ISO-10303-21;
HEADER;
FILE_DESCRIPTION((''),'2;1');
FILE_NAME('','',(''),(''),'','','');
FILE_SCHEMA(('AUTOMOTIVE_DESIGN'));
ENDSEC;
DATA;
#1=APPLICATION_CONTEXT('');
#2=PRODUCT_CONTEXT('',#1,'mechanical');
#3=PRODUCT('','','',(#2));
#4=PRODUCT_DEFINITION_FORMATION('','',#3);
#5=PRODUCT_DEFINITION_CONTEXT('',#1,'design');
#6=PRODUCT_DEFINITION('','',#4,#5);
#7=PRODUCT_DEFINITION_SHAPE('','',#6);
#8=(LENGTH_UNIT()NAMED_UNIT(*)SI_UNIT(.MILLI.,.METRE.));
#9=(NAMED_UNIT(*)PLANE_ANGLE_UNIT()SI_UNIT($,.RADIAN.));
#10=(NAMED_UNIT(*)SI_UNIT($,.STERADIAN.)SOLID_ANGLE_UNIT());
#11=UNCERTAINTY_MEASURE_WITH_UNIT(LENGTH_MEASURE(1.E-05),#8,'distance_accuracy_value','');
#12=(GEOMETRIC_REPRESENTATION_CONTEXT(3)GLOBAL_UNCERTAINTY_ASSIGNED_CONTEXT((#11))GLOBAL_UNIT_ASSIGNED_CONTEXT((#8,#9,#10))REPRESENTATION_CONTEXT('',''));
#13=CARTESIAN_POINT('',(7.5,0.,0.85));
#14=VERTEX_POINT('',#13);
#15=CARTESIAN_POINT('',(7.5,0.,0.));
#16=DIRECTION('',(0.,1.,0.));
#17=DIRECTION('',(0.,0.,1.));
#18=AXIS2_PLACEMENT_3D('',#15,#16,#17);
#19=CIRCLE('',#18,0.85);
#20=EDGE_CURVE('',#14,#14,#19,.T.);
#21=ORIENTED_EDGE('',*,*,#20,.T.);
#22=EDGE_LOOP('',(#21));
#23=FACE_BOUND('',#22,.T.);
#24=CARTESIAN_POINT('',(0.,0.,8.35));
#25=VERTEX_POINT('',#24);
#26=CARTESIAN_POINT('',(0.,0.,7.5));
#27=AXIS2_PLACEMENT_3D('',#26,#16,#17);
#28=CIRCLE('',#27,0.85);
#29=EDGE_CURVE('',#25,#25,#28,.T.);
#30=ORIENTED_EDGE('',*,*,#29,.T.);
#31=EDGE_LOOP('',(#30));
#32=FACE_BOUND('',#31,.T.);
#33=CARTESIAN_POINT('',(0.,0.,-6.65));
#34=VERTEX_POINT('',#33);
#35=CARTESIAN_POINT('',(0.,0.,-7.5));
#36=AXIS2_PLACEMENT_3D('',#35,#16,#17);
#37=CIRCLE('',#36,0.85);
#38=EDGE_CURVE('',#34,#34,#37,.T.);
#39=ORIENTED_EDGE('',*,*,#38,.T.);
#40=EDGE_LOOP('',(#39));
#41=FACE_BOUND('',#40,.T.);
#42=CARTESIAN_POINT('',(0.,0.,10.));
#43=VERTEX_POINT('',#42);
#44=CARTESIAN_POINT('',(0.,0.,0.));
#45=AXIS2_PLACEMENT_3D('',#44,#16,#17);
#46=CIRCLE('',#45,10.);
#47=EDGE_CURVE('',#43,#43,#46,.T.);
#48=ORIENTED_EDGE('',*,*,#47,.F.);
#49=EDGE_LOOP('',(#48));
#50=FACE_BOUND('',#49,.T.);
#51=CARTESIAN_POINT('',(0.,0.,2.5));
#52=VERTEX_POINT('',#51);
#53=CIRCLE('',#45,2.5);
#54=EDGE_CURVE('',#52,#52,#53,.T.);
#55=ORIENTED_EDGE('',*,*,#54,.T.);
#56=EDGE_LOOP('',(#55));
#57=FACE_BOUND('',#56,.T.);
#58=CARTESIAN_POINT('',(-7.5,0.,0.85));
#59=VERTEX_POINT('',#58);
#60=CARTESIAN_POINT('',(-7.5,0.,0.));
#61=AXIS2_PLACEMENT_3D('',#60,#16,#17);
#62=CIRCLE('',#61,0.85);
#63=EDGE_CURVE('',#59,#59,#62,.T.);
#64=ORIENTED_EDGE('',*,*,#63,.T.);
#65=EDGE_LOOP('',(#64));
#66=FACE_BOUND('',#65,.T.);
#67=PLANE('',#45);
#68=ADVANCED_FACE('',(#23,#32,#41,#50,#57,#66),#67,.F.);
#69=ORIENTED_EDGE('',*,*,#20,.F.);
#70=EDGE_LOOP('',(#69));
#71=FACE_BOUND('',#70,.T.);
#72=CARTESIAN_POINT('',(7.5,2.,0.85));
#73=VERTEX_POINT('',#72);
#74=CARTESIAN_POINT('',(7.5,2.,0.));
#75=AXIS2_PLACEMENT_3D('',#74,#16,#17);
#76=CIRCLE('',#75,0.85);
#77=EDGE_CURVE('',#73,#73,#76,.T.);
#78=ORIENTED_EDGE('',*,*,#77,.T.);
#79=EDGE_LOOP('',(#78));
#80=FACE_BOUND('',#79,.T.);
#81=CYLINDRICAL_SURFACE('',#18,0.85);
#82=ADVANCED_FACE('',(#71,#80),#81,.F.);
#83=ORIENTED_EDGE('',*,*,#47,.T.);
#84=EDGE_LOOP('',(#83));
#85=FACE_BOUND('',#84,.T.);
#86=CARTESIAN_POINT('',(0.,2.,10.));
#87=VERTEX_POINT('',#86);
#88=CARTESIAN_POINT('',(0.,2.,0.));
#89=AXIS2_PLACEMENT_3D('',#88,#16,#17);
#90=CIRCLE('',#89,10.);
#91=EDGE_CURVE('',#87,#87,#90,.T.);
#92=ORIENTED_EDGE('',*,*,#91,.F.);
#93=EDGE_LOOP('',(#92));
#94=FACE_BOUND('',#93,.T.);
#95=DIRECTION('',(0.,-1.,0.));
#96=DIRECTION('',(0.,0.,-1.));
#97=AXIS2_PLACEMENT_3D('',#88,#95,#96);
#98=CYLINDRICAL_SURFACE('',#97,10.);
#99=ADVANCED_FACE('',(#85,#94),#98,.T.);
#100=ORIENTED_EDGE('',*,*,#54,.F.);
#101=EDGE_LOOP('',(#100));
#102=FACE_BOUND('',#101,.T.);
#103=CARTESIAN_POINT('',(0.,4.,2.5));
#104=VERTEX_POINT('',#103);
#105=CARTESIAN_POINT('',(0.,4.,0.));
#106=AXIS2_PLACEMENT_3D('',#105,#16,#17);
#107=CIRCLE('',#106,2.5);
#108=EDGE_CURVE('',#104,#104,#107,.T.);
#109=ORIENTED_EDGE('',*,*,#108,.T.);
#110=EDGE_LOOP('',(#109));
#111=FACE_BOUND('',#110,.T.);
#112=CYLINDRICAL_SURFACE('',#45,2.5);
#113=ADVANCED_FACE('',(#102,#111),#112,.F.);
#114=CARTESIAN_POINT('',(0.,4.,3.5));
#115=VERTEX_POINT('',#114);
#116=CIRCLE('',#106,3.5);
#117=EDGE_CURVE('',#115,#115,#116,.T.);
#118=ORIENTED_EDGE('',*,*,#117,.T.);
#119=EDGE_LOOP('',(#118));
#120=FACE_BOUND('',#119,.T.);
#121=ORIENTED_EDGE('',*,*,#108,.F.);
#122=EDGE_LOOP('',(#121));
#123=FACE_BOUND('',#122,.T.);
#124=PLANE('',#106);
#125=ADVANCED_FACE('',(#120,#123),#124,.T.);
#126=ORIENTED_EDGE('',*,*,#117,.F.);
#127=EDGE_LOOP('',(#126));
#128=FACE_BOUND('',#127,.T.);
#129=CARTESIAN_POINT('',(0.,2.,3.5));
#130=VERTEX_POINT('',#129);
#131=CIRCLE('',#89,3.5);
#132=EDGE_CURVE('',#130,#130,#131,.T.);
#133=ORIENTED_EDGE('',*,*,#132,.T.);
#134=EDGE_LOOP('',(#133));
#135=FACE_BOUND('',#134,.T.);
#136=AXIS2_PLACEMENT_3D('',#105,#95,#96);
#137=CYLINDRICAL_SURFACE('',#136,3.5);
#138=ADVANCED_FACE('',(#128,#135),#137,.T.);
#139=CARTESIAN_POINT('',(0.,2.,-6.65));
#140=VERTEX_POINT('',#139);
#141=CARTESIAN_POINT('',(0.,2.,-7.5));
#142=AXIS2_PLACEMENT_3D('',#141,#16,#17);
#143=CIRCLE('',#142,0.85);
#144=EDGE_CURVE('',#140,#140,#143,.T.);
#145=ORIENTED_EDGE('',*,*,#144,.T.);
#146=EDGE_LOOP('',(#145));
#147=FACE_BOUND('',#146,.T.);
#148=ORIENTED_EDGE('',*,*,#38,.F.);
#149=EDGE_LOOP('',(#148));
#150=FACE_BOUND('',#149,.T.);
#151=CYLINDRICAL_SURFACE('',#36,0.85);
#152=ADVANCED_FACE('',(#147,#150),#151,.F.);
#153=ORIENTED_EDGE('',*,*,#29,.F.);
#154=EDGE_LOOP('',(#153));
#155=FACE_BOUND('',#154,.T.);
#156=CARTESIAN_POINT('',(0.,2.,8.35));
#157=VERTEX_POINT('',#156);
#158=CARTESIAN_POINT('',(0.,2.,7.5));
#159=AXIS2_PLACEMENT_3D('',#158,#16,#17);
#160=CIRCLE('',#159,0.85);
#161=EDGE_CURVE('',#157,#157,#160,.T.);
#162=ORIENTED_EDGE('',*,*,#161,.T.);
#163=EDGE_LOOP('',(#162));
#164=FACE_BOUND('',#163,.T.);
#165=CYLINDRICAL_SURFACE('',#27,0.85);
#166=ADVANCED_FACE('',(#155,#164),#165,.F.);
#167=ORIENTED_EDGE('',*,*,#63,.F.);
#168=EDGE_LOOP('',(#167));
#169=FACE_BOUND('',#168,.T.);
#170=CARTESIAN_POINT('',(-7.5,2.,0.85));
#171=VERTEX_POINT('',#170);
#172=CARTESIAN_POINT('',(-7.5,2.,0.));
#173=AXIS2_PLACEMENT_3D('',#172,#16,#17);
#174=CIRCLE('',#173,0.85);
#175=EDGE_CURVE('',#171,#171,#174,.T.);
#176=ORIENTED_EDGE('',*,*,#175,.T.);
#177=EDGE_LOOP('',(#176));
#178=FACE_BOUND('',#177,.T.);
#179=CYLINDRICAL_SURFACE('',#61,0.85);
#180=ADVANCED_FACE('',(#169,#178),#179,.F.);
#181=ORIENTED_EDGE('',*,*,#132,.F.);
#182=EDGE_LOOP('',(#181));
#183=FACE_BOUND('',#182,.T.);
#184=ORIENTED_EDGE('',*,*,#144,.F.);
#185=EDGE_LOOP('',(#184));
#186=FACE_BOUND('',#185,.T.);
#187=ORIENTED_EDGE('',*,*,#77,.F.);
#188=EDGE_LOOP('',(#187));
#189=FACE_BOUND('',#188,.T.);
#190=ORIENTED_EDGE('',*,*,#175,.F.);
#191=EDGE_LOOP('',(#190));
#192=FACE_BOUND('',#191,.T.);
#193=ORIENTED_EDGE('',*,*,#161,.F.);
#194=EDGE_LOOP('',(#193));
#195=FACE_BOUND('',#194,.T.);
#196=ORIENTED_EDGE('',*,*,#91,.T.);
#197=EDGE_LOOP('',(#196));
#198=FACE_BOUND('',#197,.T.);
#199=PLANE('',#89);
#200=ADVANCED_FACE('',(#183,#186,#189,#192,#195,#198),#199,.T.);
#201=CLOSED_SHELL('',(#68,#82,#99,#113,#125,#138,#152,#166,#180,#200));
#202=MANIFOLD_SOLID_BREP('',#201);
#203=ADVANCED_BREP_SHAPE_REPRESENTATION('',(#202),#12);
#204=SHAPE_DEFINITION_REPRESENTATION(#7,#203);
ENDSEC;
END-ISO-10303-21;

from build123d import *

# Parameters (mm, degrees)
SKETCH1_R           = 10
BOSS_EXTRUDE1_DEPTH = 2
SKETCH2_R           = 3.5
BOSS_EXTRUDE2_DEPTH = 2
SKETCH3_R           = 2.5
CUT_EXTRUDE1_DEPTH  = 15.696938457
SKETCH4_R           = 0.85
CUT_EXTRUDE2_DEPTH  = 15.282856857


with BuildPart() as part:
    # Sketch1 → Boss-Extrude1 (new body)
    with BuildSketch(Plane(origin=(0, 0, 0), x_dir=(1, 0, 0), z_dir=(0, 1, 0))):
        with Locations(Location((0, 0, 0), (0, 0, 270))):
            Circle(SKETCH1_R)
    extrude(amount=BOSS_EXTRUDE1_DEPTH)

    # Sketch2 → Boss-Extrude2 (add)
    with BuildSketch(Plane(origin=(0, 2, 0), x_dir=(1, 0, 0), z_dir=(0, 1, 0))):
        with Locations(Location((0, 0, 0), (0, 0, 270))):
            Circle(SKETCH2_R)
    extrude(amount=BOSS_EXTRUDE2_DEPTH)

    # Sketch3 → Cut-Extrude1 (cut, through all)
    with BuildSketch(Plane(origin=(0, 4, 0), x_dir=(1, 0, 0), z_dir=(0, 1, 0))):
        with Locations(Location((0, 0, 0), (0, 0, 270))):
            Circle(SKETCH3_R)
    extrude(amount=-CUT_EXTRUDE1_DEPTH, mode=Mode.SUBTRACT)

    # Sketch4 → Cut-Extrude2 (cut, through all)
    with BuildSketch(Plane(origin=(0, 2, 0), x_dir=(1, 0, 0), z_dir=(0, 1, 0))):
        with Locations(Location((0, 7.5, 0), (0, 0, 270))):
            Circle(SKETCH4_R)
        with Locations(Location((-7.5, 0, 0), (0, 0, 270))):
            Circle(SKETCH4_R)
        with Locations(Location((7.5, 0, 0), (0, 0, 270))):
            Circle(SKETCH4_R)
        with Locations(Location((0, -7.5, 0), (0, 0, 270))):
            Circle(SKETCH4_R)
    extrude(amount=-CUT_EXTRUDE2_DEPTH, mode=Mode.SUBTRACT)


solid = part.part
